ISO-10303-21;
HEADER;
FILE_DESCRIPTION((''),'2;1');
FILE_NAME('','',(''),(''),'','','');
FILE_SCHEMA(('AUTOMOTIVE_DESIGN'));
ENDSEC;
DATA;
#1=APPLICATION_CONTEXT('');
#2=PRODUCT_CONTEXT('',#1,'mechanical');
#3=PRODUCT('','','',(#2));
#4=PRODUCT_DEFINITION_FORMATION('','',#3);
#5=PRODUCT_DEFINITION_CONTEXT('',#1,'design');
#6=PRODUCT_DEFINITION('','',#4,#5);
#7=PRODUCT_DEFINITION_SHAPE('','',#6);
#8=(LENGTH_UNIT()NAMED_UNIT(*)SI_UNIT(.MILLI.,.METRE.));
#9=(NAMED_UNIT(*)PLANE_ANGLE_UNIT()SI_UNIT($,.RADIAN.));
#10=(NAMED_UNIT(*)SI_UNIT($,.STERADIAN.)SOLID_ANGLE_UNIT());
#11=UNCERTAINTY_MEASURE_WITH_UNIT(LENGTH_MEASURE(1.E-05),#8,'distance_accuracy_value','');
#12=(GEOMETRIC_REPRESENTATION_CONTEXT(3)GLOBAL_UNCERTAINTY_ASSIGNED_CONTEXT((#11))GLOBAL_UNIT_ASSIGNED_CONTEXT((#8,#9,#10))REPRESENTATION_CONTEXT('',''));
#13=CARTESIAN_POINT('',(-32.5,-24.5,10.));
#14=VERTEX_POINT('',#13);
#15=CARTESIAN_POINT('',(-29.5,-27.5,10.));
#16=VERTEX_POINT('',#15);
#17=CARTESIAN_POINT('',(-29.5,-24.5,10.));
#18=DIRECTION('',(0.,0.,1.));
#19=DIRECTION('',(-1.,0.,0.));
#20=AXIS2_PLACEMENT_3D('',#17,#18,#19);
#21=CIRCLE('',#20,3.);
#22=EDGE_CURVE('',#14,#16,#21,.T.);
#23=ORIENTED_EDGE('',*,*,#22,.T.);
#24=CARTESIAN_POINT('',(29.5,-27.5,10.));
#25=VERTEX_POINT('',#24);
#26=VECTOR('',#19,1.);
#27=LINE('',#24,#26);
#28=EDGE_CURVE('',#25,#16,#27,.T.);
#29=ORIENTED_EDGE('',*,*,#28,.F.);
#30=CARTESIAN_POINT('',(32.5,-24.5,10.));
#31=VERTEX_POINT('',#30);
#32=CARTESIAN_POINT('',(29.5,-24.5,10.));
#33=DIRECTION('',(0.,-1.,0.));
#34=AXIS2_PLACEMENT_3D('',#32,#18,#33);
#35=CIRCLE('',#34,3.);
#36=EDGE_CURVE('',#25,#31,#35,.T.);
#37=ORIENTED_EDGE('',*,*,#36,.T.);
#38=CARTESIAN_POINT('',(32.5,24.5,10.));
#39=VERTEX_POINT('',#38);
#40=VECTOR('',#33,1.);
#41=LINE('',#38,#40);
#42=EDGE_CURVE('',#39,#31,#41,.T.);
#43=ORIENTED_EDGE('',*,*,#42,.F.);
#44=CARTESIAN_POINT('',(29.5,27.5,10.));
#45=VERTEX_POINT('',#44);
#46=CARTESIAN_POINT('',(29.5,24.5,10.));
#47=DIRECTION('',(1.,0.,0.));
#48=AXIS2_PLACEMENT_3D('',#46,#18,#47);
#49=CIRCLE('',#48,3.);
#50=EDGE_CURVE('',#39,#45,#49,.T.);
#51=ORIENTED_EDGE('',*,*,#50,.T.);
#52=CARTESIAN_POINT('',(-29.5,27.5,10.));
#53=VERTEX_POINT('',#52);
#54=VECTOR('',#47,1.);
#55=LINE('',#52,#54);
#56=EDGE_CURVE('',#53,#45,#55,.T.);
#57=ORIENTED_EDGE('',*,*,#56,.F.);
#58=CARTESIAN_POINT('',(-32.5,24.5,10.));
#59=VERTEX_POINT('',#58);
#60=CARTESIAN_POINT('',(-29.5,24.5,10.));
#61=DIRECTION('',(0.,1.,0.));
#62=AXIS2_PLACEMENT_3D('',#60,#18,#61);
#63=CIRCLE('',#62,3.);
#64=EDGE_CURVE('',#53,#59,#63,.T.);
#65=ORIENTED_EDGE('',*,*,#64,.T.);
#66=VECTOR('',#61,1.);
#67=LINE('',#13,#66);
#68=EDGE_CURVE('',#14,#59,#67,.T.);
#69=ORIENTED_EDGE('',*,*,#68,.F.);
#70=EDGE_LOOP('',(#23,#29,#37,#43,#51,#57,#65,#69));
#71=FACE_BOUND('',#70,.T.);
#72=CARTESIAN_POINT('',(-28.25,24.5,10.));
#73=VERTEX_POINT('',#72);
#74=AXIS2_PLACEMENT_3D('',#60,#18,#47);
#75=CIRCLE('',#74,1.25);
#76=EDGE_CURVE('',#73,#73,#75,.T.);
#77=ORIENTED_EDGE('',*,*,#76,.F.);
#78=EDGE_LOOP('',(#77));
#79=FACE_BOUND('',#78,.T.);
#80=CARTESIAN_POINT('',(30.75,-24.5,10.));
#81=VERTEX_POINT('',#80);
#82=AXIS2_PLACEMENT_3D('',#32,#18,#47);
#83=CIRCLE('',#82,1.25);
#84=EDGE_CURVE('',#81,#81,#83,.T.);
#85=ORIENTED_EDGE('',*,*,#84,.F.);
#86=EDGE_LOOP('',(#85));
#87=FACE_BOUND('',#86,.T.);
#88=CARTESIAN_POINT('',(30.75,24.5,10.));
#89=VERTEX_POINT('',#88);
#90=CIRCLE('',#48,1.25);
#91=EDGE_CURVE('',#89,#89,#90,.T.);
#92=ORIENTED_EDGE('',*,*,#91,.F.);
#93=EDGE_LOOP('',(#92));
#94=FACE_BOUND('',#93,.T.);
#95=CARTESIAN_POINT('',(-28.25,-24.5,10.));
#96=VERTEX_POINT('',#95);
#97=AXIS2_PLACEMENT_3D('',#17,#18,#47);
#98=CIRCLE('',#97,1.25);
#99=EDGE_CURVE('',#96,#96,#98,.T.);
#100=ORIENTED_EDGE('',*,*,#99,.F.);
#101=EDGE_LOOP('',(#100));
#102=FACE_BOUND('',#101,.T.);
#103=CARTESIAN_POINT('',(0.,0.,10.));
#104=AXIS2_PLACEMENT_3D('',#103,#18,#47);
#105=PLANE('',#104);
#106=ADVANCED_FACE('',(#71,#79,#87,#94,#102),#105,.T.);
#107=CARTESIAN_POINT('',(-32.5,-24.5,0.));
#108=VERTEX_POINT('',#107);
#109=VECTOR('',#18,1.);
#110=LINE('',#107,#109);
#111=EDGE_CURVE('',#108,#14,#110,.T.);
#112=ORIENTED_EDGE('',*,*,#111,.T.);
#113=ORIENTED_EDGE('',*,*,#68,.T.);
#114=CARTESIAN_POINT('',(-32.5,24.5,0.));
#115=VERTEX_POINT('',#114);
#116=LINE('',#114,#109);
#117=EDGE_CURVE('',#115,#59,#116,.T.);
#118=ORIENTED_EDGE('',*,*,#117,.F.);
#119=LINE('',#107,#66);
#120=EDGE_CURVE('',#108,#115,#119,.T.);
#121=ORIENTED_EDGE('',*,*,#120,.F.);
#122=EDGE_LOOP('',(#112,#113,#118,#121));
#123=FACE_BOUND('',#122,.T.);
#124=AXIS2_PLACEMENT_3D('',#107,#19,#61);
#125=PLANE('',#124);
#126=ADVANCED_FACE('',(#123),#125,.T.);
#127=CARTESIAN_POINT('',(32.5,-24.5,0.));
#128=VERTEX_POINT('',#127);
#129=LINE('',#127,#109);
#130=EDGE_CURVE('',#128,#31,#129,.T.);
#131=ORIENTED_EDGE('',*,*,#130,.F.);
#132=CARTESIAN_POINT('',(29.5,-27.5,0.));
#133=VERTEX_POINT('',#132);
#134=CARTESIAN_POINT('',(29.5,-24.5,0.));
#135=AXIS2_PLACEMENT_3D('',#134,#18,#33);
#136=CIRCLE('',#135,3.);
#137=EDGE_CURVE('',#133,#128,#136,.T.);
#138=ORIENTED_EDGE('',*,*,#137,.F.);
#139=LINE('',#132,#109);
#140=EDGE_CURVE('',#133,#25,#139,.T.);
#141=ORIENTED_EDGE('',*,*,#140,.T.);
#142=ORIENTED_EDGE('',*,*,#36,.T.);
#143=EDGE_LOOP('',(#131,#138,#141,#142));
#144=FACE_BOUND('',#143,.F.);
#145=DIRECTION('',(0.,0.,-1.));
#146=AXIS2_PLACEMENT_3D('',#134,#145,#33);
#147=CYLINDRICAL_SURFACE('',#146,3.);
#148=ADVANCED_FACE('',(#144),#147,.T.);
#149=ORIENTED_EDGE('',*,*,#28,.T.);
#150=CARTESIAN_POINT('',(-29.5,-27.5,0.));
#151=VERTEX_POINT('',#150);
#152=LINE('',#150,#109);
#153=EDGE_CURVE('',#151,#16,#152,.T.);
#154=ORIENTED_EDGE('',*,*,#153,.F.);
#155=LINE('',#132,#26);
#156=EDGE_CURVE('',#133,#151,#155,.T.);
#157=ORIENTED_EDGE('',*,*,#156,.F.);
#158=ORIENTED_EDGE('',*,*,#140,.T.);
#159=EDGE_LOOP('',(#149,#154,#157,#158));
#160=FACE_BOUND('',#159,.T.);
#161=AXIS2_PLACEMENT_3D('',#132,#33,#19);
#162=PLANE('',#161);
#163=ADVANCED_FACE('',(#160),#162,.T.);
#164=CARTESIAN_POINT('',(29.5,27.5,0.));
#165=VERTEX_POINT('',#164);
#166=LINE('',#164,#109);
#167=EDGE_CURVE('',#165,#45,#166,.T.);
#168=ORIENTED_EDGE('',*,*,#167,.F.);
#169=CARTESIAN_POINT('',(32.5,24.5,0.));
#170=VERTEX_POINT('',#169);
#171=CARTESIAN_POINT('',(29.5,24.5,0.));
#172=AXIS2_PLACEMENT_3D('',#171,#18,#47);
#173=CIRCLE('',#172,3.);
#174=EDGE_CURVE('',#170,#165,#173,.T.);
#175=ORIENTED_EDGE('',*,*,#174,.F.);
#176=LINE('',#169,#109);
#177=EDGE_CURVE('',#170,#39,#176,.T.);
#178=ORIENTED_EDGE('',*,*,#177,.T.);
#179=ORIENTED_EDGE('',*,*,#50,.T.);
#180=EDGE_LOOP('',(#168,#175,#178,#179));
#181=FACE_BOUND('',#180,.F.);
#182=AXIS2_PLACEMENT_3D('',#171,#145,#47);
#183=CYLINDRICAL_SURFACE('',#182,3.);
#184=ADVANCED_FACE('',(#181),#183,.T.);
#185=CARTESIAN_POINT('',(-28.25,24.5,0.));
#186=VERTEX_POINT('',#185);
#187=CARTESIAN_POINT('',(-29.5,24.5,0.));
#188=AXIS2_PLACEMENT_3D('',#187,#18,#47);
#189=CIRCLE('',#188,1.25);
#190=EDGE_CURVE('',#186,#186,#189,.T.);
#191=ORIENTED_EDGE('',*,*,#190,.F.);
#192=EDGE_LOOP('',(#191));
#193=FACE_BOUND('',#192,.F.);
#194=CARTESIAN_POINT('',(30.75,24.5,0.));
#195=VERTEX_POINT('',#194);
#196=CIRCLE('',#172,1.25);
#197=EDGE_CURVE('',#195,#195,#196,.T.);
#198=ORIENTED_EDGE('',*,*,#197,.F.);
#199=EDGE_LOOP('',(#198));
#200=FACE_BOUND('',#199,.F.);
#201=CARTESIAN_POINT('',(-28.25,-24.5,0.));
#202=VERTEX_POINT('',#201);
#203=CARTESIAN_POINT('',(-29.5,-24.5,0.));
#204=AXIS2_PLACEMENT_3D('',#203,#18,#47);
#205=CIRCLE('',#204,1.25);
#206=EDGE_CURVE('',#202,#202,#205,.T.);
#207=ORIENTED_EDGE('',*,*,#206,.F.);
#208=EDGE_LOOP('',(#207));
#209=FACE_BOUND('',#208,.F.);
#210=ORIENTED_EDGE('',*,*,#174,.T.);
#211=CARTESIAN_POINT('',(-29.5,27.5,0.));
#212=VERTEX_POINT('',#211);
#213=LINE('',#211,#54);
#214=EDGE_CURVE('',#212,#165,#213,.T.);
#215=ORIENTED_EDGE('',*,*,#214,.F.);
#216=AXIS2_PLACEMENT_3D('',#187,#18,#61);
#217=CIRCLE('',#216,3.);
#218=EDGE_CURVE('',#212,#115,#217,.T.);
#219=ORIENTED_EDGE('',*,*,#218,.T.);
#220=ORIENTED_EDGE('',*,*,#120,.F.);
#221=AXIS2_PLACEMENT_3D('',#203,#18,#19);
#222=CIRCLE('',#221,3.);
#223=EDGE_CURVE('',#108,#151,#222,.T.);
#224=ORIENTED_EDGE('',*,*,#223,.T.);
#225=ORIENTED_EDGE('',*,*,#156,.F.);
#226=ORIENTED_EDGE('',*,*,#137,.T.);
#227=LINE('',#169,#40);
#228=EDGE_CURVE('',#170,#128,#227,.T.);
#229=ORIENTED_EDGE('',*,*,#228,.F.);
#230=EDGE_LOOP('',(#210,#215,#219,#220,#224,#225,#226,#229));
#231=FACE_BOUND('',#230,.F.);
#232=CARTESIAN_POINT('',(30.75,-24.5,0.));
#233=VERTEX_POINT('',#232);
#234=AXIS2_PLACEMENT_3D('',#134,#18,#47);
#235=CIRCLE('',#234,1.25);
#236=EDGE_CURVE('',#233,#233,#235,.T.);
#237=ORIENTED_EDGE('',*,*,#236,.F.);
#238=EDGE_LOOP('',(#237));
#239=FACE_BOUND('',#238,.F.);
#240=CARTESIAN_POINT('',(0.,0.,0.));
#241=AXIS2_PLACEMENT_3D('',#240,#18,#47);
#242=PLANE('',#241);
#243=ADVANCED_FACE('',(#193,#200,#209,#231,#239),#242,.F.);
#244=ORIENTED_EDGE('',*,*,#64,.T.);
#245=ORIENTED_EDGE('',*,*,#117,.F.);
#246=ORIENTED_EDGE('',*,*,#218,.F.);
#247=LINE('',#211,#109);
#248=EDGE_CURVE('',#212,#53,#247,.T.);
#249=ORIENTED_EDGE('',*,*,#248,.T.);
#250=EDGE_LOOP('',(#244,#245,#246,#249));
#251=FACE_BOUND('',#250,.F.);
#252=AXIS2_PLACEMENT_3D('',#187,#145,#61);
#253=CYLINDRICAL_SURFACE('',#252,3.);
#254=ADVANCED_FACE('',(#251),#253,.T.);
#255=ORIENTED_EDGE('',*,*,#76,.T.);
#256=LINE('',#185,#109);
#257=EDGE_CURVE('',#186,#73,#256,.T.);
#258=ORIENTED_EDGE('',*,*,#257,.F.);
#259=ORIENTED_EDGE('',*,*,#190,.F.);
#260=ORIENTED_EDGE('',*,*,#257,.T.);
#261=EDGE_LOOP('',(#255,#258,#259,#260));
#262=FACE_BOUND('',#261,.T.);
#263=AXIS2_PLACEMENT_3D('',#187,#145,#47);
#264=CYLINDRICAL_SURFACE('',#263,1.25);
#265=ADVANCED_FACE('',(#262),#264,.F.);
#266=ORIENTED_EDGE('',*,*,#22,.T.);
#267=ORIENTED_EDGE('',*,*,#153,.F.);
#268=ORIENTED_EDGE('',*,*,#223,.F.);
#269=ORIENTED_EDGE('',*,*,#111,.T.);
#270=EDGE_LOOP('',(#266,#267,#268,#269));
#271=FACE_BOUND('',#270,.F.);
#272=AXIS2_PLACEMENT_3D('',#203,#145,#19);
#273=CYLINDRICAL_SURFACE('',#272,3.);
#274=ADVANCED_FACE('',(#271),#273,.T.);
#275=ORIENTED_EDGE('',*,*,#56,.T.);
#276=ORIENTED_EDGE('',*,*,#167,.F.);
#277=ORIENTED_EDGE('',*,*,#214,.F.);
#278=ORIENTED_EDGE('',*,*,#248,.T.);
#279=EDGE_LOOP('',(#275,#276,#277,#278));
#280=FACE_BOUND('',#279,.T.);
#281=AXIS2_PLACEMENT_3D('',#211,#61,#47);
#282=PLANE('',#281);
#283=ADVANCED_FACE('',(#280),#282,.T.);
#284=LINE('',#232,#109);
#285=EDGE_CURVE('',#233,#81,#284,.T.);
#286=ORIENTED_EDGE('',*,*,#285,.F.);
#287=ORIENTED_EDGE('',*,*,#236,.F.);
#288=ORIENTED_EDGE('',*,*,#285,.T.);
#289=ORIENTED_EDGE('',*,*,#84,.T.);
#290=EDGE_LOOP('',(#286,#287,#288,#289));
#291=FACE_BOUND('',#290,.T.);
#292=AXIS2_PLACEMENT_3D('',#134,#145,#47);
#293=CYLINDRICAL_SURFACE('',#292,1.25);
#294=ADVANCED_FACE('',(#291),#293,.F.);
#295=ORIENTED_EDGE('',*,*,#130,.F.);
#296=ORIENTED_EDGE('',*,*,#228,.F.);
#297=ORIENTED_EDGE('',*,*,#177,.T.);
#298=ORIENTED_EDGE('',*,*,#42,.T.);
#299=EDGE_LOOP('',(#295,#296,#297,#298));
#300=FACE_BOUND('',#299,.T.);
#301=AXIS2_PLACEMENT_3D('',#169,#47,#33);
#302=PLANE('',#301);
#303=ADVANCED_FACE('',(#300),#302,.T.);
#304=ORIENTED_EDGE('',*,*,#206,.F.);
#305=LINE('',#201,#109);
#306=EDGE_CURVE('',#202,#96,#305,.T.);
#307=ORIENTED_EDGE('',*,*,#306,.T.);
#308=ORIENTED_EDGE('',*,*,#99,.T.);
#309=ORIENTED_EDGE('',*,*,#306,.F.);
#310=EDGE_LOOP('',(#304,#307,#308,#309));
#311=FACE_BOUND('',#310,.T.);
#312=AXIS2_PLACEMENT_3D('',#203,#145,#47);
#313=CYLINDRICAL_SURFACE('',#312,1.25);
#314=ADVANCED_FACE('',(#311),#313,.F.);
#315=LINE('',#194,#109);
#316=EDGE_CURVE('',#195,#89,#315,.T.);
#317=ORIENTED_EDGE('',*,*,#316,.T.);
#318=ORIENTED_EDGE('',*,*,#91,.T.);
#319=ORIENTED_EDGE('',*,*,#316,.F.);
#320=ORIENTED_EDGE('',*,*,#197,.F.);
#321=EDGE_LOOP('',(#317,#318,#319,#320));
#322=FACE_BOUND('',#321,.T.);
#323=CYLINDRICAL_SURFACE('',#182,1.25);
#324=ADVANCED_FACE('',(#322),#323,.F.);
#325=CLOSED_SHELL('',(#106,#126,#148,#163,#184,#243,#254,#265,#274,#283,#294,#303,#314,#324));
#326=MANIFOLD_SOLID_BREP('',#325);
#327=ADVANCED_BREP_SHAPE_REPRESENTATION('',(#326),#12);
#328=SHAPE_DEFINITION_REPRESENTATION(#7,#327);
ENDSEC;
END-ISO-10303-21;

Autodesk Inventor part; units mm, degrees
ref_plane "YZ Plane" through (0, 0, 0) normal (1, 0, 0) x (0, 1, 0)
ref_plane "XZ Plane" through (0, 0, 0) normal (0, 1, 0) x (-1, 0, 0)
ref_plane "XY Plane" through (0, 0, 0) normal (0, 0, 1) x (1, 0, 0)
sketch "Sketch1" plane through (0, 0, 0) normal (0, 0, 1) x (1, 0, 0)
  line L0 (-29.5, 27.5) -> (29.5, 27.5)
  line L1 (32.5, 24.5) -> (32.5, -24.5)
  line L2 (29.5, -27.5) -> (-29.5, -27.5)
  line L3 (-32.5, -24.5) -> (-32.5, 24.5)
  line L4 (0, 0) -> (32.5, 0) construction
  line L5 (0, 0) -> (0, 27.5) construction
  arc A0 (-32.5, -24.5) -> (-29.5, -27.5) centre (-29.5, -24.5) ccw
  arc A1 (-29.5, 27.5) -> (-32.5, 24.5) centre (-29.5, 24.5) ccw
  arc A2 (32.5, 24.5) -> (29.5, 27.5) centre (29.5, 24.5) ccw
  arc A3 (29.5, -27.5) -> (32.5, -24.5) centre (29.5, -24.5) ccw
  circle A4 centre (-29.5, -24.5) radius 1.25
  circle A5 centre (-29.5, 24.5) radius 1.25
  circle A6 centre (29.5, -24.5) radius 1.25
  circle A7 centre (29.5, 24.5) radius 1.25
  point P0 (-32.5, 27.5)
  point P1 (32.5, -27.5)
  point P2 (32.5, 27.5)
  point P3 (-32.5, -27.5)
  dimension "d1" = 65
  dimension "d5" = 3
  dimension "d6" = 2.5
  dimension "d9" = 49
extrude "Extrusion1" add sketch "Sketch1" along normal blind 10
properties part number "header"
